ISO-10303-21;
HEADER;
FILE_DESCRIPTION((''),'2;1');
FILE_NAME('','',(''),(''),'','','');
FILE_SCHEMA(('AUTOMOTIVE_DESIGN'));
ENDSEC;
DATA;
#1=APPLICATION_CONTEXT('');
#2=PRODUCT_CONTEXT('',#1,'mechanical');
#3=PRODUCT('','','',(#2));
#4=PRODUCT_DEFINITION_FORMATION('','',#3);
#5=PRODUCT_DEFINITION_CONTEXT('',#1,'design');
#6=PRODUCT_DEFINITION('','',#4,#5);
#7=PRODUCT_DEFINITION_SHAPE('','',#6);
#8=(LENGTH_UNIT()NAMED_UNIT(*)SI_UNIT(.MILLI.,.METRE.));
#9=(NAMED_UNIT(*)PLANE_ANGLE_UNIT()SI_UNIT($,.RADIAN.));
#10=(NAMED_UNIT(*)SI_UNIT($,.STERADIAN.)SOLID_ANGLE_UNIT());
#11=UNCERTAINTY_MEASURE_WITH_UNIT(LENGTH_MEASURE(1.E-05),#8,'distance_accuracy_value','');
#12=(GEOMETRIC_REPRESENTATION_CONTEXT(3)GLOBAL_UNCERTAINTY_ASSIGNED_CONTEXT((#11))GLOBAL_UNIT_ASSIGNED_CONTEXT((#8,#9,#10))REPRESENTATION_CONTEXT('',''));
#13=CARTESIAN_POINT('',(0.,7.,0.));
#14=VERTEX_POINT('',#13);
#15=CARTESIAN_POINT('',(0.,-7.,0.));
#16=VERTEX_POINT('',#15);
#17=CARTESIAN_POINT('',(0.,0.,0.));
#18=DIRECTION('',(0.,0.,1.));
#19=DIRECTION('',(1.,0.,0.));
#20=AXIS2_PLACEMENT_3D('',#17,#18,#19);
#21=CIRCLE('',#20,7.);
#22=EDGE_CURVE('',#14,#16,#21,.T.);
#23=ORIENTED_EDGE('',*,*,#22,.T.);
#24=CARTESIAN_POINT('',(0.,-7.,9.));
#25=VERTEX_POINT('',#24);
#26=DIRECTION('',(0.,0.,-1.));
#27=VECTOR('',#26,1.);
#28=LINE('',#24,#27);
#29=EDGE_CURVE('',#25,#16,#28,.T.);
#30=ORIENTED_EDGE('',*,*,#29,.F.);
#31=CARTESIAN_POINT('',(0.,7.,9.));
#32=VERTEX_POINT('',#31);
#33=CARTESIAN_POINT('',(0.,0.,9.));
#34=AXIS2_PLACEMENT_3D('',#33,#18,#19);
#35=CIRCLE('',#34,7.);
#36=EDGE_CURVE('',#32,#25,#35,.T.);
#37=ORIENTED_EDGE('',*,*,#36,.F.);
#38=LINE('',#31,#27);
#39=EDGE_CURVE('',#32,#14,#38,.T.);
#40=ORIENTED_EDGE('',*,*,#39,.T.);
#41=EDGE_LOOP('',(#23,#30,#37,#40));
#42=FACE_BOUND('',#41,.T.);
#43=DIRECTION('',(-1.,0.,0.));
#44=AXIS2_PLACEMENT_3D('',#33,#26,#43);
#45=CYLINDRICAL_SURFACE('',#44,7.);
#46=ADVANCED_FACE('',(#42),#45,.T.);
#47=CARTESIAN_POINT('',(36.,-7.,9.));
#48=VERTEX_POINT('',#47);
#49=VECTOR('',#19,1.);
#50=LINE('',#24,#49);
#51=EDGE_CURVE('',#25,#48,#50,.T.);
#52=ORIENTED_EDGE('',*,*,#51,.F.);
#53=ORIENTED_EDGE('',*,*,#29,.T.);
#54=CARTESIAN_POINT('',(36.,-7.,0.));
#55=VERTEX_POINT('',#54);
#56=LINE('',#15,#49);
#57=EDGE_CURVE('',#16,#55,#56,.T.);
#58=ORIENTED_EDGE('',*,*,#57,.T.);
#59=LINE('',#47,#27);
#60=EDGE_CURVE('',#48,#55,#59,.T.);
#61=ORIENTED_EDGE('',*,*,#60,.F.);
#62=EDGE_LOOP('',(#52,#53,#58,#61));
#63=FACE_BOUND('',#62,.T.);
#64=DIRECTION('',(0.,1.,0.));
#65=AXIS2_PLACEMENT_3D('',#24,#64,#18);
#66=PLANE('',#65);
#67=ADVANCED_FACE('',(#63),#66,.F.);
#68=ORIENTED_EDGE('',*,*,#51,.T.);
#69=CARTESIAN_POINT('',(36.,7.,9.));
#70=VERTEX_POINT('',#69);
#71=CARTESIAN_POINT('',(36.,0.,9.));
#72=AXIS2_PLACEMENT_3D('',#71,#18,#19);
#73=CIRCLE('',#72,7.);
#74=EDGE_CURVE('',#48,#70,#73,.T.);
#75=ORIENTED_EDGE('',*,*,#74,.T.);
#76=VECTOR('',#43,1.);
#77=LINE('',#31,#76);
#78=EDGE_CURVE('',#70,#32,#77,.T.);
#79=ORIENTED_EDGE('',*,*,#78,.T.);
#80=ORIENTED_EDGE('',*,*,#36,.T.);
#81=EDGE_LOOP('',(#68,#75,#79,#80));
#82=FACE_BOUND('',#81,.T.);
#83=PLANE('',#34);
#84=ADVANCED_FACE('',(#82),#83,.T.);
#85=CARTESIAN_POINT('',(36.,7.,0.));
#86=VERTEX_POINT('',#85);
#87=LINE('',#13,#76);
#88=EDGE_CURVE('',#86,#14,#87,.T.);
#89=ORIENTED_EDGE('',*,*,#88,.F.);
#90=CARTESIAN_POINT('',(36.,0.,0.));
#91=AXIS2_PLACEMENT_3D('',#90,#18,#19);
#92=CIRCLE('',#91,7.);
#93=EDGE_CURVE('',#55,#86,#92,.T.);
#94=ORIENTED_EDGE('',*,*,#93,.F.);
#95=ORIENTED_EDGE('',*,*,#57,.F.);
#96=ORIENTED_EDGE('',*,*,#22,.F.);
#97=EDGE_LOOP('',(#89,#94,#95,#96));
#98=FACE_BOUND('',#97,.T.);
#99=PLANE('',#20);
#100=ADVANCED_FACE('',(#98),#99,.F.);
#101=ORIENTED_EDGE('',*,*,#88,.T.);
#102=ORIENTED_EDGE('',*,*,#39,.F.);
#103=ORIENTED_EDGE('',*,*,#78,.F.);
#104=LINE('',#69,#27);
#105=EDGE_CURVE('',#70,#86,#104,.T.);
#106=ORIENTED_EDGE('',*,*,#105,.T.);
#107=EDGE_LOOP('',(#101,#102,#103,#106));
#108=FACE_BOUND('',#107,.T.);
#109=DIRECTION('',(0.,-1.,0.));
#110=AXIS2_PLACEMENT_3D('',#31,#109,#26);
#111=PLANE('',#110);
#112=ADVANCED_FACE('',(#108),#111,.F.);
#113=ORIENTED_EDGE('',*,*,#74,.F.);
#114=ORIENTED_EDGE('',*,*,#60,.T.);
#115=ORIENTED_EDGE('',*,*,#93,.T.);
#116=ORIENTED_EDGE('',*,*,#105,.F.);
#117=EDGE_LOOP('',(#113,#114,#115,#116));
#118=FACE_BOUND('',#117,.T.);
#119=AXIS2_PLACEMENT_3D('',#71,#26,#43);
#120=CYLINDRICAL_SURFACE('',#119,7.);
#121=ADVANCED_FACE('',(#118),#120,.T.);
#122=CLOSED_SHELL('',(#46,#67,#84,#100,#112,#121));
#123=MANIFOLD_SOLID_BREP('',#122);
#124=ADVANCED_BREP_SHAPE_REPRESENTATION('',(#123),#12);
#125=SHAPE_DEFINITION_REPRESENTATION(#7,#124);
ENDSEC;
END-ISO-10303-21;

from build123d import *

# Parameters (mm, degrees)
BOSS_EXTRUDE1_DEPTH = 9


with BuildPart() as part:
    # Sketch1 → Boss-Extrude1 (new body)
    with BuildSketch(Plane.XY):
        with BuildLine():
            Line((0, 7), (36, 7))
            ThreePointArc((36, 7), (43, 0), (36, -7))
            Line((36, -7), (0, -7))
            ThreePointArc((0, -7), (-7, 0), (0, 7))
        make_face()
    extrude(amount=BOSS_EXTRUDE1_DEPTH)


solid = part.part
